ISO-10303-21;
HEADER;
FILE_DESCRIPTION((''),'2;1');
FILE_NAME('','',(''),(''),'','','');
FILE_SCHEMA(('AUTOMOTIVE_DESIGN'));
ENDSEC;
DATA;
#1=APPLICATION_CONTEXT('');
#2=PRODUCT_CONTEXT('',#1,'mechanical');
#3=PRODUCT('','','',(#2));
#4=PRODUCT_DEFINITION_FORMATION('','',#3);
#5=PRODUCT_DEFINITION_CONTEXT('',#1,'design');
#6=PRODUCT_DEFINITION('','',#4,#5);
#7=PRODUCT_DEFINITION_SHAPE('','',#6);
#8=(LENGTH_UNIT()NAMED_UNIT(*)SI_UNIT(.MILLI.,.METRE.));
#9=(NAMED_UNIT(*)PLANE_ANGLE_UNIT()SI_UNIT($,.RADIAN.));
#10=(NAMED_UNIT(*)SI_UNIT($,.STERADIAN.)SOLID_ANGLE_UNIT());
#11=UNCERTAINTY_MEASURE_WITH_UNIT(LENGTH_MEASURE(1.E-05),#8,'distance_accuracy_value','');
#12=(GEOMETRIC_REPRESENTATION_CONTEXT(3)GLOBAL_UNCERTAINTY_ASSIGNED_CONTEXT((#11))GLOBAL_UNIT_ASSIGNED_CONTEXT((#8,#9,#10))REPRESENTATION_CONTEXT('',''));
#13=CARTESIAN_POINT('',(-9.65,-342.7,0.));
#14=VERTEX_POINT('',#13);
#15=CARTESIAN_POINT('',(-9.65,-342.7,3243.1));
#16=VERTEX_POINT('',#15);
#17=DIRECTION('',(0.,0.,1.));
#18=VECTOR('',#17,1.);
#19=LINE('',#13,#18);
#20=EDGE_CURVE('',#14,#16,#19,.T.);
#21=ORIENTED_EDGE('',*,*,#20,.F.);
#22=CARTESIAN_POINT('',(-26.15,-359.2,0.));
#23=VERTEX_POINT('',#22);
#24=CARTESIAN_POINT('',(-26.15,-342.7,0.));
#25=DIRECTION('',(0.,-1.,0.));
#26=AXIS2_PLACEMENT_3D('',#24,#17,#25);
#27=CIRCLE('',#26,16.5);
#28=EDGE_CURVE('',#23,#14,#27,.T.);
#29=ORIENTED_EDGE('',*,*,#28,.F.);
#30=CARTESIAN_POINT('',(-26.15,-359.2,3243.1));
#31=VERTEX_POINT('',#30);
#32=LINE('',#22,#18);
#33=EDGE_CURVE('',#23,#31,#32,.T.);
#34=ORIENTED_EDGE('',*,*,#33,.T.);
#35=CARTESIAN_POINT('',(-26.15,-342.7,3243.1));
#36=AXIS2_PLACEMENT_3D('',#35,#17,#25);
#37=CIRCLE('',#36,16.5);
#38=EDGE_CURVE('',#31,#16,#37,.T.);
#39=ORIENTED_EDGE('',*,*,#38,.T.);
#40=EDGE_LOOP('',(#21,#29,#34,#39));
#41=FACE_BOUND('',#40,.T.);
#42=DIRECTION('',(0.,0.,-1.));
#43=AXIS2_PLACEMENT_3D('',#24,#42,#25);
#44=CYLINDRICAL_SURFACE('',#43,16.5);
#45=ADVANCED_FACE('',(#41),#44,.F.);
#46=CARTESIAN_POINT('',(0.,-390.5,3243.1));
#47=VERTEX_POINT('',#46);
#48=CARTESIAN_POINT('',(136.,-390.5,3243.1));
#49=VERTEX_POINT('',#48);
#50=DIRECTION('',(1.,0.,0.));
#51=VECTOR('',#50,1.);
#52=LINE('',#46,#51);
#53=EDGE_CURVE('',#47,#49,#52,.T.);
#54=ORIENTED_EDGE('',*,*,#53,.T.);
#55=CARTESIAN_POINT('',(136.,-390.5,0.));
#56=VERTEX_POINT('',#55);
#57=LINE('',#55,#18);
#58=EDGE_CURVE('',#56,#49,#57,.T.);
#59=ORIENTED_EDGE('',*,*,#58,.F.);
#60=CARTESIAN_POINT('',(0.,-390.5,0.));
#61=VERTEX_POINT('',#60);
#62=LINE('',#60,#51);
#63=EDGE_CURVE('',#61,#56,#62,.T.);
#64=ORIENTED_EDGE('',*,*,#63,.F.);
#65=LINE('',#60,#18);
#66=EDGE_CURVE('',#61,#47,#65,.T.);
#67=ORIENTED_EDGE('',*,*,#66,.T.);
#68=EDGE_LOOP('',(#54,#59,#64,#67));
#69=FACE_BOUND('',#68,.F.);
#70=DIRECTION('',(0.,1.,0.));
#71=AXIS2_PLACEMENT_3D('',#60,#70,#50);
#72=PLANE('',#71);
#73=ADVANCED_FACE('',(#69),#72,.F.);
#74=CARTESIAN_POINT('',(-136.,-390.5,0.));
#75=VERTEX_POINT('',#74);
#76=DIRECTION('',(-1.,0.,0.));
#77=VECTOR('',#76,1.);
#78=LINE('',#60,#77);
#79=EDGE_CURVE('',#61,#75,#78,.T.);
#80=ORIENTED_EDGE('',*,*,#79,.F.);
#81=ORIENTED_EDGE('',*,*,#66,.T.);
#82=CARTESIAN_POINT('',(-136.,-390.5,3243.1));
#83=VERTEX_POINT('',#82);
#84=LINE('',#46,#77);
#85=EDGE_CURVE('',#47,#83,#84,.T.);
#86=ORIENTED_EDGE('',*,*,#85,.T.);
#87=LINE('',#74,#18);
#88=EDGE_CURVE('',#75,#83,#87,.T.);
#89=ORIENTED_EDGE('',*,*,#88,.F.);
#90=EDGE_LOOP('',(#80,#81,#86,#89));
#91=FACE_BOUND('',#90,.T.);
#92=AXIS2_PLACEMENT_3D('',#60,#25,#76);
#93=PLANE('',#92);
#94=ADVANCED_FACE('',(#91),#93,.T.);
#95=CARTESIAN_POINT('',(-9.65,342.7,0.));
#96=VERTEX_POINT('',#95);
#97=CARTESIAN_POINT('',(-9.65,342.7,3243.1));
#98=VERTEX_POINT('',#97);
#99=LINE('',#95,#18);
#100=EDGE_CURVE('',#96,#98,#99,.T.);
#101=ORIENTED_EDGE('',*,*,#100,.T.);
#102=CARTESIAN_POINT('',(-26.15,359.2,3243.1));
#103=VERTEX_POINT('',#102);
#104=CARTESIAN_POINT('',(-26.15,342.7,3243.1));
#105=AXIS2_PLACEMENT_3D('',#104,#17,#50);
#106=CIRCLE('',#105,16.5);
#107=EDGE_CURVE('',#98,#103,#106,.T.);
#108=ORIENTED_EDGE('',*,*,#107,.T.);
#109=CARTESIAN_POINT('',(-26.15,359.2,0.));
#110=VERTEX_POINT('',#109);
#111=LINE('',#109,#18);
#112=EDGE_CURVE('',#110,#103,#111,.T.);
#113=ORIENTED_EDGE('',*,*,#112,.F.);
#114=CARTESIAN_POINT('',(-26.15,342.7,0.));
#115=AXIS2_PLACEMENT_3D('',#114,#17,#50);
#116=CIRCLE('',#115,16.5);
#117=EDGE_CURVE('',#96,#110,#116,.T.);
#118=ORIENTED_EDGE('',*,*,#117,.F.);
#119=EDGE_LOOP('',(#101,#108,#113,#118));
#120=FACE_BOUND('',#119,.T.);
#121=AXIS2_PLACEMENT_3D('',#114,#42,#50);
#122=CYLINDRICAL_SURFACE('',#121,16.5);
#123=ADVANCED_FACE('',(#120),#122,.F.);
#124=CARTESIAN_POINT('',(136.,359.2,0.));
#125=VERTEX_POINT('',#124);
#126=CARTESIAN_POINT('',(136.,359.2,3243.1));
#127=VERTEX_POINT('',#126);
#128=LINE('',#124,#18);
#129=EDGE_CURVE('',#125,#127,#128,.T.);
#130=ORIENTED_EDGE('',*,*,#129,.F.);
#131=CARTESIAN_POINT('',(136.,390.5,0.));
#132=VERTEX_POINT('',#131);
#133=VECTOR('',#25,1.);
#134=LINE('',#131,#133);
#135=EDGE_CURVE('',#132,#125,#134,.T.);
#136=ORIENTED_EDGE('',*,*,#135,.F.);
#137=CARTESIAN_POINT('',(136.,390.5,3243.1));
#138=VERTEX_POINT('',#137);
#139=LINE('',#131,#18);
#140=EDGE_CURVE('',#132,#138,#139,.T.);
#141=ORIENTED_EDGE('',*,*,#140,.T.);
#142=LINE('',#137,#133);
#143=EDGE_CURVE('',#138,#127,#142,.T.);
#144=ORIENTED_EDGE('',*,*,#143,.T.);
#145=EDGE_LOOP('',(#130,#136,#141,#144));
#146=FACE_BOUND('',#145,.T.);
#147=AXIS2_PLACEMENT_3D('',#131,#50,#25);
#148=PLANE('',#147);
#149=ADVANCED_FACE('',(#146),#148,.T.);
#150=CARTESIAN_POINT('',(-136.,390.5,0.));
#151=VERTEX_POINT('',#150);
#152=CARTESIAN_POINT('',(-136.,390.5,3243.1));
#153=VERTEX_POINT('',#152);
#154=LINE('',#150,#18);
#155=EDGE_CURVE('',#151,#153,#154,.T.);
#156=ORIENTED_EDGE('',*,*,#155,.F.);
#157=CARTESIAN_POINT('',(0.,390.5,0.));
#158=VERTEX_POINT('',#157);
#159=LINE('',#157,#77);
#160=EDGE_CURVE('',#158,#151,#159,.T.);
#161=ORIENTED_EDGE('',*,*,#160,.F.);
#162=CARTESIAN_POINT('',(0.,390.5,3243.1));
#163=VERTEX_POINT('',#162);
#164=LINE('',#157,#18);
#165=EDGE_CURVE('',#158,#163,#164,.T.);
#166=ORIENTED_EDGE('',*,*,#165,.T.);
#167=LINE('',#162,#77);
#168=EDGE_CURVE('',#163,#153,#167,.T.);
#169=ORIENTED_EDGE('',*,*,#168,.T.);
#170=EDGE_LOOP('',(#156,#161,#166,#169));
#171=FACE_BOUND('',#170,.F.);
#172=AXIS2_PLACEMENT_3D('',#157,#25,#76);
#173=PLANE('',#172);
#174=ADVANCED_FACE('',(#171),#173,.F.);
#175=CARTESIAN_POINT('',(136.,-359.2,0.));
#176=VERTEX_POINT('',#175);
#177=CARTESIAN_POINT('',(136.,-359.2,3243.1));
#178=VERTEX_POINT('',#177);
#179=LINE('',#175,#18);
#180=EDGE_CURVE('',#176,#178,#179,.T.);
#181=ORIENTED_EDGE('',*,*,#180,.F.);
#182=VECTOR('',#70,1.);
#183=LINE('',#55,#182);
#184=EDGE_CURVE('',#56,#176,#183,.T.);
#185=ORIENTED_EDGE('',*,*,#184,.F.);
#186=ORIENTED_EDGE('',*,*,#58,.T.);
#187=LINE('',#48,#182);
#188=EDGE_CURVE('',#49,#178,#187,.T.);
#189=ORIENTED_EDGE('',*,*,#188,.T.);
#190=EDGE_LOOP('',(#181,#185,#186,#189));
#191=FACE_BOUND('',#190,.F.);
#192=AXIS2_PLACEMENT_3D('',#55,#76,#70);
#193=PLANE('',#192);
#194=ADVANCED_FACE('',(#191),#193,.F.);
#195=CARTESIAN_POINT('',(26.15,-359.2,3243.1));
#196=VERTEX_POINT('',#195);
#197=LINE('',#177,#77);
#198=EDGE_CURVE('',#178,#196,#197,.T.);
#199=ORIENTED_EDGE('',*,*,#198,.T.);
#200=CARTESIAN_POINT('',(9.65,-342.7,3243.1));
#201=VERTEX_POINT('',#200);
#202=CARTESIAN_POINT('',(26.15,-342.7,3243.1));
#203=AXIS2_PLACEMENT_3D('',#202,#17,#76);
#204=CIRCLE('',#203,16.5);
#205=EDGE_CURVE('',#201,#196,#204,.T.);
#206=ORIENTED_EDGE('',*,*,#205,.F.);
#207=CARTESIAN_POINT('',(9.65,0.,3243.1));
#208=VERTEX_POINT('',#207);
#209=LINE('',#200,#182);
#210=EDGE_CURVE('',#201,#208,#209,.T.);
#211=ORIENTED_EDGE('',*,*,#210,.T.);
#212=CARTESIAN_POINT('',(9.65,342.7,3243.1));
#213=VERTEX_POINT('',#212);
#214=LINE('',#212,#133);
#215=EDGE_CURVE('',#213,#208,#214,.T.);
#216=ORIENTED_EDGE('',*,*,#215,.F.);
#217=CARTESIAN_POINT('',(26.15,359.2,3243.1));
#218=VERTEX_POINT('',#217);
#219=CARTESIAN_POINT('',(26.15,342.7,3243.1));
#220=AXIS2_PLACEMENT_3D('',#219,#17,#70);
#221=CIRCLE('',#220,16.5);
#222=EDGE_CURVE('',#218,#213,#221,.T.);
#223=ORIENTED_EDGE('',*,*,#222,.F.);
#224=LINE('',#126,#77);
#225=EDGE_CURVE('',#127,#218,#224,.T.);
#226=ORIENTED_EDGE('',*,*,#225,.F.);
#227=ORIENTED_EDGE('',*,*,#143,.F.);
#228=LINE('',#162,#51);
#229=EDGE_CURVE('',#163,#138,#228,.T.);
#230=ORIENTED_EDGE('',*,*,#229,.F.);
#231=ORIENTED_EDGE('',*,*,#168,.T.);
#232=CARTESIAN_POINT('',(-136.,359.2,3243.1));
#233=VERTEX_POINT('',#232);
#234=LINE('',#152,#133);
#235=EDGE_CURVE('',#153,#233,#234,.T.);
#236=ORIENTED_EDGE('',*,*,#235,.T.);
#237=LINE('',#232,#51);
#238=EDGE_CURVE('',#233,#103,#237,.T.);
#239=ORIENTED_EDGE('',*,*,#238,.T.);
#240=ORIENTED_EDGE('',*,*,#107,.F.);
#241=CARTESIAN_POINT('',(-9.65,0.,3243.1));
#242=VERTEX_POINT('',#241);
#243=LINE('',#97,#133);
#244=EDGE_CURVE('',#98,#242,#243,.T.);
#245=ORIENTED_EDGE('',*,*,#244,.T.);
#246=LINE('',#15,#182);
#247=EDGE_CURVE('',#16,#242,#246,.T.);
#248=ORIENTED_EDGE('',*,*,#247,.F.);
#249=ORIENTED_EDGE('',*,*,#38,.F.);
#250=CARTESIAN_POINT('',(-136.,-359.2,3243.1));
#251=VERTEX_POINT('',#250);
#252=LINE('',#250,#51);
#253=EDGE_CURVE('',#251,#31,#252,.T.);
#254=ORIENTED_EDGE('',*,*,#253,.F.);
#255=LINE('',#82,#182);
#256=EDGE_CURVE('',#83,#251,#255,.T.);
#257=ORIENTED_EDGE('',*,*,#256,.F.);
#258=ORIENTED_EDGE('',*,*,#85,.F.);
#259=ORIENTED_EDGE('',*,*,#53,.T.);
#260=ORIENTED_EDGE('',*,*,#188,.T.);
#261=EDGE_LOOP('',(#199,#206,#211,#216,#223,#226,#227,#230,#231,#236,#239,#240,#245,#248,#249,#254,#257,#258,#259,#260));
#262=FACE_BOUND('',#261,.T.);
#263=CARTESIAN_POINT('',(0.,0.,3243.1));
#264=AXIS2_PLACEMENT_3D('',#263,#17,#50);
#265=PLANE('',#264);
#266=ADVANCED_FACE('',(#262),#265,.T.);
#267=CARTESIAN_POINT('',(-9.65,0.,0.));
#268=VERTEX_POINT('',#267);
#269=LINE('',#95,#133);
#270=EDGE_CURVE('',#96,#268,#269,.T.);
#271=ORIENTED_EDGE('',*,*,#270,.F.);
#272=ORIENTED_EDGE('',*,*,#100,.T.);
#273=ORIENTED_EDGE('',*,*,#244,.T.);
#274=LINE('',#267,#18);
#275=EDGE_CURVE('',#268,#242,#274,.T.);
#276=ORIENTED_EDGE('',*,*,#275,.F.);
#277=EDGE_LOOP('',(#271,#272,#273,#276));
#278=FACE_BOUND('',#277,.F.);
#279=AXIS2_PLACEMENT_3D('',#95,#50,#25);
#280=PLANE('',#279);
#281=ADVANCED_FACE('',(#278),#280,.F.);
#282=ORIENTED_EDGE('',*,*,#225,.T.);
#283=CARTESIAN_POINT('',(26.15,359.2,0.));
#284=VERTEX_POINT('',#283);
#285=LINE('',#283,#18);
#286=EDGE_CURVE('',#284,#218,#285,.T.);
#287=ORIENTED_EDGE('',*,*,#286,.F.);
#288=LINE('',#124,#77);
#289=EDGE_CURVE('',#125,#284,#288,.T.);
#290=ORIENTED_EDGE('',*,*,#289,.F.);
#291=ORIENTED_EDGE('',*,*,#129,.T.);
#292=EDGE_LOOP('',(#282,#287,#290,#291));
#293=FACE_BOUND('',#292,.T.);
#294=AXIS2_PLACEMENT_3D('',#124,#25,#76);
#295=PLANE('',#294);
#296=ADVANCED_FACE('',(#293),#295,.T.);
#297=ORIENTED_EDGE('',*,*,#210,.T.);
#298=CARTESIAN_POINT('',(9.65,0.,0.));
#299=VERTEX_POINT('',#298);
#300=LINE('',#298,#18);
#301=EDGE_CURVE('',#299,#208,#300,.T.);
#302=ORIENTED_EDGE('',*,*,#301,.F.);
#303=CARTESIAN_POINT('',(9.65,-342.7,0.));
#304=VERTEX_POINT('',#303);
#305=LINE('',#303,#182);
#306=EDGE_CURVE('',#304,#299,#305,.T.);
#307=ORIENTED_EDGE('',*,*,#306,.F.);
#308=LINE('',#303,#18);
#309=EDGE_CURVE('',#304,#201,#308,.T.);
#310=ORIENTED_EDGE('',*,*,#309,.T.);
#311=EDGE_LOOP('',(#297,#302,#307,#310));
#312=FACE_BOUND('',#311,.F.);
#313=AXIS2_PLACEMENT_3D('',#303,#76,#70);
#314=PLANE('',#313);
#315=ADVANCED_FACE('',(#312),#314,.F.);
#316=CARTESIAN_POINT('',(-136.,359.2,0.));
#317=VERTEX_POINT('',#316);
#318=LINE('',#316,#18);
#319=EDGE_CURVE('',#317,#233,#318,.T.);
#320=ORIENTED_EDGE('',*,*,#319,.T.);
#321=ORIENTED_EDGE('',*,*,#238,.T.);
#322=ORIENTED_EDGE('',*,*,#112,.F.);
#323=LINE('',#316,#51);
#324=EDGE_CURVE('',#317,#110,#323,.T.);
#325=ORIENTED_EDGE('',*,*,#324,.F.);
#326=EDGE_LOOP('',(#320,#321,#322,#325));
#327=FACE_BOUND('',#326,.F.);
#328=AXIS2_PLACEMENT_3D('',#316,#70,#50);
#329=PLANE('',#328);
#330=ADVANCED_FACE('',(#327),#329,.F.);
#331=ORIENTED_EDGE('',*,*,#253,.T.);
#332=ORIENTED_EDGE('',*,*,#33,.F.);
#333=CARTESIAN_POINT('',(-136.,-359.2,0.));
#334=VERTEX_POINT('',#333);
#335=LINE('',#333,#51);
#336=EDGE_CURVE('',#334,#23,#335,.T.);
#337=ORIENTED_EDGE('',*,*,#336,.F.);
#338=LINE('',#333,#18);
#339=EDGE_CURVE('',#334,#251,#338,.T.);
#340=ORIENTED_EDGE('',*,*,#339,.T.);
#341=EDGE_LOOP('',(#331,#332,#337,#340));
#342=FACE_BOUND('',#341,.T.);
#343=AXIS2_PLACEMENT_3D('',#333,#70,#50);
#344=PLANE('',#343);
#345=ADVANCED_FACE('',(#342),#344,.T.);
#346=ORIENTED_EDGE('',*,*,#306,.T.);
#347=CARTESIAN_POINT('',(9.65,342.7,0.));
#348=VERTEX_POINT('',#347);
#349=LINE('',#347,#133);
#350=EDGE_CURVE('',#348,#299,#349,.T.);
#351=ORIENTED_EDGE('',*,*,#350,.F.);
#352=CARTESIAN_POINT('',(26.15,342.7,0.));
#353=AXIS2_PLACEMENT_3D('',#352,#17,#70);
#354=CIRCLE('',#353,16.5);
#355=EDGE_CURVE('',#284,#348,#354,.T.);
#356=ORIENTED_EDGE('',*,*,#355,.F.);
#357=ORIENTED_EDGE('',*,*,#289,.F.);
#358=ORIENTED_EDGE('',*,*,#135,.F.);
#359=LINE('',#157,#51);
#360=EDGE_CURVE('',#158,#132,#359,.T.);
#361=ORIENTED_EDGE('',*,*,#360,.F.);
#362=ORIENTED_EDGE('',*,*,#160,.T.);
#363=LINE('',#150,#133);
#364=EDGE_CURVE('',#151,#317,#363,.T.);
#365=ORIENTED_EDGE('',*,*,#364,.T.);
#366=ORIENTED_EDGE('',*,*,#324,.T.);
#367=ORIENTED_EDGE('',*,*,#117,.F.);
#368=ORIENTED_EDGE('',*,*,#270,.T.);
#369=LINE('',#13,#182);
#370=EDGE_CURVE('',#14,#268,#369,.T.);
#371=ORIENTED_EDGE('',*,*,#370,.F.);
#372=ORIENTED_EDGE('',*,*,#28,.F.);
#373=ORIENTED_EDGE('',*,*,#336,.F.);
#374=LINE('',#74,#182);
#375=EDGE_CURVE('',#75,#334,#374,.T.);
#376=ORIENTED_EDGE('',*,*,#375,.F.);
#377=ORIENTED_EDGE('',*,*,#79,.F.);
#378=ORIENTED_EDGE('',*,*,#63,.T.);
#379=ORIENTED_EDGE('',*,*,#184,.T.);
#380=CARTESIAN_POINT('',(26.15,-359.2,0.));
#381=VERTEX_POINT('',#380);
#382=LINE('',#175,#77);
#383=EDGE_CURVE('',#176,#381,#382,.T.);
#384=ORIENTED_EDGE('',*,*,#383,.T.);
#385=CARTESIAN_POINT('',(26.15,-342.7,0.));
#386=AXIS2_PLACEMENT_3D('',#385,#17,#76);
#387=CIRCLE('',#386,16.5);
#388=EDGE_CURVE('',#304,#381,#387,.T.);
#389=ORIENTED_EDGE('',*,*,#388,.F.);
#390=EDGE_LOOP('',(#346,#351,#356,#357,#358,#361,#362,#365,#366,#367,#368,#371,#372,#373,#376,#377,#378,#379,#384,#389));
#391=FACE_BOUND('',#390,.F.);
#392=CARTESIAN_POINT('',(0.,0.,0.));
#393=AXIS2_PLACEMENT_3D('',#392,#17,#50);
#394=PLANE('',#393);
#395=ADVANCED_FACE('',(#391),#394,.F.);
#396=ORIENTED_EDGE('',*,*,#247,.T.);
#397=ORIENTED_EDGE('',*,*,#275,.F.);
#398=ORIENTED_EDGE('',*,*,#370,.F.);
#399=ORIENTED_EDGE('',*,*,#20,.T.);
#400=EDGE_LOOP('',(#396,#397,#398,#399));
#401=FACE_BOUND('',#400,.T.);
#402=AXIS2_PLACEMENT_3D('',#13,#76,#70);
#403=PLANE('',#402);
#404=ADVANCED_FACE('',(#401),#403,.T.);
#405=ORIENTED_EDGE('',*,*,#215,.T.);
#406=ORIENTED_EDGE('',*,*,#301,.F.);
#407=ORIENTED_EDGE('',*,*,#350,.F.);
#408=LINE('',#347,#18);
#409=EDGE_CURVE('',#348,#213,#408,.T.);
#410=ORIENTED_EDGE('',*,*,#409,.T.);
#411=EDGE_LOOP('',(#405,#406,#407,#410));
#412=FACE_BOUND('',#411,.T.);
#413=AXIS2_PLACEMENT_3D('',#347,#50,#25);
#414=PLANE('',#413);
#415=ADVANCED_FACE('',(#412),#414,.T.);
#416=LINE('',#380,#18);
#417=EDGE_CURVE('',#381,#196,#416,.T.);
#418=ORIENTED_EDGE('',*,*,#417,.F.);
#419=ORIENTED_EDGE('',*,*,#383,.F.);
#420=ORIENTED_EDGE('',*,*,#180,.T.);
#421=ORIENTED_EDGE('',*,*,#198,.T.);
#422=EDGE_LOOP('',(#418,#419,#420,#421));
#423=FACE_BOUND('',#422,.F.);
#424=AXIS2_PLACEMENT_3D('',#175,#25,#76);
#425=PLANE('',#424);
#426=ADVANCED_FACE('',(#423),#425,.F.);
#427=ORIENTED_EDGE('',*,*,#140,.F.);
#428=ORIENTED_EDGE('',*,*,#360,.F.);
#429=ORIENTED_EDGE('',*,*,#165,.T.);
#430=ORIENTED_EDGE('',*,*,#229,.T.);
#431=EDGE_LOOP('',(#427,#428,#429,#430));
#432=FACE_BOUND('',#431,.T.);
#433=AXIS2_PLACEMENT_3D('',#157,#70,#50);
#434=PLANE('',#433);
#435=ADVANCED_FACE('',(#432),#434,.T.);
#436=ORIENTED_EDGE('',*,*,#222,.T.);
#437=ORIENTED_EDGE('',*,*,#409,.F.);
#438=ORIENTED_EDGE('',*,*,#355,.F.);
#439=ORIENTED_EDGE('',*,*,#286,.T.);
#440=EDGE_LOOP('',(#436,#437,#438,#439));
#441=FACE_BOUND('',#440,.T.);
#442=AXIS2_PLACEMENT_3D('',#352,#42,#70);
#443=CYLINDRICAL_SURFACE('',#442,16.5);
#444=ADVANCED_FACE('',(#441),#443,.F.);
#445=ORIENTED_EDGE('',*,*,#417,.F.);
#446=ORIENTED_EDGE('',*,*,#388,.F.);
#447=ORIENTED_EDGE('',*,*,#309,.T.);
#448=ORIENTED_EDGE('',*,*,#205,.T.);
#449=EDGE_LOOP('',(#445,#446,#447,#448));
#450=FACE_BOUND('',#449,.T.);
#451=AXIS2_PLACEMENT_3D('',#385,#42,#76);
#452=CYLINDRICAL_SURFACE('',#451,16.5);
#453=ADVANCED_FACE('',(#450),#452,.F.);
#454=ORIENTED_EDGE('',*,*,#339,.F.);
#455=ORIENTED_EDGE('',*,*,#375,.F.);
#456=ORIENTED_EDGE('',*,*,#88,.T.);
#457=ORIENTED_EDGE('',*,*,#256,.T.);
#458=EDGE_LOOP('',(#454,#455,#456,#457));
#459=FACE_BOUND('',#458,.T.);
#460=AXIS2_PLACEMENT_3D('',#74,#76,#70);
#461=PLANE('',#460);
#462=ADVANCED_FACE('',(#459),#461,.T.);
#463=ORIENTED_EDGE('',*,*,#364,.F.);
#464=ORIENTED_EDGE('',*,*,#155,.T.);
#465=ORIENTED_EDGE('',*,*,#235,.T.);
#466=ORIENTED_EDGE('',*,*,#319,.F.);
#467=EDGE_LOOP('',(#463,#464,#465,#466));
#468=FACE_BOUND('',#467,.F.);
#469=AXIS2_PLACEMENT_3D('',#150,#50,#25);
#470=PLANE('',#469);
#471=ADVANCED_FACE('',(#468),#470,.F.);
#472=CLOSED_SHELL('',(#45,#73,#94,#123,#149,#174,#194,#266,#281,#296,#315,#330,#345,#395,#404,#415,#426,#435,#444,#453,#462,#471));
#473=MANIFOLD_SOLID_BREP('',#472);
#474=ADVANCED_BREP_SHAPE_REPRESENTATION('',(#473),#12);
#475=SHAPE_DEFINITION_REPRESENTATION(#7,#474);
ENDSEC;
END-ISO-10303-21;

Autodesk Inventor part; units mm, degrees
ref_plane "YZ Plane" through (0, 0, 0) normal (1, 0, 0) x (0, 1, 0)
ref_plane "Start plane" through (0, 0, 0) normal (0, 0, 1) x (1, 0, 0)
ref_plane "End plane" through (0, 0, 3243.1) normal (0, 0, 1) x (1, 0, 0)
sketch "Sketch" plane through (0, 0, 0) normal (0, 0, 1) x (1, 0, 0)
  line L0 (-136, -390.5) -> (-136, -359.2)
  line L1 (-136, -359.2) -> (-26.15, -359.2)
  line L2 (-9.65, -342.7) -> (-9.65, 0)
  line L3 (-9.65, 0) -> (0, 0) construction
  line L4 (0, 0) -> (0, -390.5) construction
  line L5 (0, -390.5) -> (-136, -390.5)
  line L6 (-60, 0) -> (80, 0) construction
  line L7 (0, -60) -> (0, 80) construction
  line L8 (136, -390.5) -> (136, -359.2)
  line L9 (136, -359.2) -> (26.15, -359.2)
  line L10 (9.65, -342.7) -> (9.65, 0)
  line L11 (9.65, 0) -> (0, 0) construction
  line L12 (0, -390.5) -> (136, -390.5)
  line L13 (-136, 390.5) -> (-136, 359.2)
  line L14 (-136, 359.2) -> (-26.15, 359.2)
  line L15 (-9.65, 342.7) -> (-9.65, 0)
  line L16 (0, 390.5) -> (-136, 390.5)
  line L17 (136, 390.5) -> (136, 359.2)
  line L18 (136, 359.2) -> (26.15, 359.2)
  line L19 (0, 390.5) -> (136, 390.5)
  line L20 (9.65, 342.7) -> (9.65, 0)
  arc A0 (-9.65, 342.7) -> (-26.15, 359.2) centre (-26.15, 342.7) ccw
  arc A1 (26.15, 359.2) -> (9.65, 342.7) centre (26.15, 342.7) ccw
  arc A2 (9.65, -342.7) -> (26.15, -359.2) centre (26.15, -342.7) ccw
  arc A3 (-26.15, -359.2) -> (-9.65, -342.7) centre (-26.15, -342.7) ccw
  line L21 (0, 108) -> (0, -88) construction
  line L22 (-88, 0) -> (108, 0) construction
  point P0 (-9.65, -359.2)
  point P1 (9.65, -359.2)
  point P2 (-9.65, 359.2)
  point P3 (9.65, 359.2)
  dimension "d1" = 390.5
  dimension "d2" = 31.3
  dimension "d3" = 136
  dimension "d4" = 9.65
  dimension "d10" = 16.5
extrude "Body" add sketch "Sketch" along normal up to surface (3243.1 mm away) from surface at 0
sketch "Sketch4" plane through (0, 0, 0) normal (0, 0, 1) x (1, 0, 0)
  line L0 (0, 0) -> (10, 0)
ref_plane "Work Plane3" through (0, 0, 0) normal (0, -1, 0) x (1, 0, 0)
sketch "Sketch5" plane through (0, 0, 0) normal (0, -1, 0) x (1, 0, 0)
  line L0 (-2, 0) -> (12, 0) projected
  line L1 (-2, 3243.1) -> (12, 3243.1) projected
  dimension "d14" = 3243.1
equation "\"d1\" = 0.5 * G_H"
equation "\"d2\" = G_T1"
equation "\"d3\" = 0.5 * G_W"
equation "\"d4\" = 0.5 * G_T"
equation "\"d10\" = G_IR"
equation "\"d5\" = G_L"
equation "\"G_W\" = 272"
equation "\"G_H\" = 781"
equation "\"G_T\" = 19.3"
equation "\"G_T1\" = 31.3"
equation "\"G_IR\" = 16.5"
equation "\"G_L\" = d14"
equation "\"G_OFFSET_START\" = 0"
equation "\"G_OFFSET_END\" = 0"
equation "\"d12\" = G_OFFSET_END + B_L"
equation "\"B_L\" = 3243.1"
properties part number "AS 3679-1990 - 760 UB - 244 - 3243.1" material "Steel, Mild"
